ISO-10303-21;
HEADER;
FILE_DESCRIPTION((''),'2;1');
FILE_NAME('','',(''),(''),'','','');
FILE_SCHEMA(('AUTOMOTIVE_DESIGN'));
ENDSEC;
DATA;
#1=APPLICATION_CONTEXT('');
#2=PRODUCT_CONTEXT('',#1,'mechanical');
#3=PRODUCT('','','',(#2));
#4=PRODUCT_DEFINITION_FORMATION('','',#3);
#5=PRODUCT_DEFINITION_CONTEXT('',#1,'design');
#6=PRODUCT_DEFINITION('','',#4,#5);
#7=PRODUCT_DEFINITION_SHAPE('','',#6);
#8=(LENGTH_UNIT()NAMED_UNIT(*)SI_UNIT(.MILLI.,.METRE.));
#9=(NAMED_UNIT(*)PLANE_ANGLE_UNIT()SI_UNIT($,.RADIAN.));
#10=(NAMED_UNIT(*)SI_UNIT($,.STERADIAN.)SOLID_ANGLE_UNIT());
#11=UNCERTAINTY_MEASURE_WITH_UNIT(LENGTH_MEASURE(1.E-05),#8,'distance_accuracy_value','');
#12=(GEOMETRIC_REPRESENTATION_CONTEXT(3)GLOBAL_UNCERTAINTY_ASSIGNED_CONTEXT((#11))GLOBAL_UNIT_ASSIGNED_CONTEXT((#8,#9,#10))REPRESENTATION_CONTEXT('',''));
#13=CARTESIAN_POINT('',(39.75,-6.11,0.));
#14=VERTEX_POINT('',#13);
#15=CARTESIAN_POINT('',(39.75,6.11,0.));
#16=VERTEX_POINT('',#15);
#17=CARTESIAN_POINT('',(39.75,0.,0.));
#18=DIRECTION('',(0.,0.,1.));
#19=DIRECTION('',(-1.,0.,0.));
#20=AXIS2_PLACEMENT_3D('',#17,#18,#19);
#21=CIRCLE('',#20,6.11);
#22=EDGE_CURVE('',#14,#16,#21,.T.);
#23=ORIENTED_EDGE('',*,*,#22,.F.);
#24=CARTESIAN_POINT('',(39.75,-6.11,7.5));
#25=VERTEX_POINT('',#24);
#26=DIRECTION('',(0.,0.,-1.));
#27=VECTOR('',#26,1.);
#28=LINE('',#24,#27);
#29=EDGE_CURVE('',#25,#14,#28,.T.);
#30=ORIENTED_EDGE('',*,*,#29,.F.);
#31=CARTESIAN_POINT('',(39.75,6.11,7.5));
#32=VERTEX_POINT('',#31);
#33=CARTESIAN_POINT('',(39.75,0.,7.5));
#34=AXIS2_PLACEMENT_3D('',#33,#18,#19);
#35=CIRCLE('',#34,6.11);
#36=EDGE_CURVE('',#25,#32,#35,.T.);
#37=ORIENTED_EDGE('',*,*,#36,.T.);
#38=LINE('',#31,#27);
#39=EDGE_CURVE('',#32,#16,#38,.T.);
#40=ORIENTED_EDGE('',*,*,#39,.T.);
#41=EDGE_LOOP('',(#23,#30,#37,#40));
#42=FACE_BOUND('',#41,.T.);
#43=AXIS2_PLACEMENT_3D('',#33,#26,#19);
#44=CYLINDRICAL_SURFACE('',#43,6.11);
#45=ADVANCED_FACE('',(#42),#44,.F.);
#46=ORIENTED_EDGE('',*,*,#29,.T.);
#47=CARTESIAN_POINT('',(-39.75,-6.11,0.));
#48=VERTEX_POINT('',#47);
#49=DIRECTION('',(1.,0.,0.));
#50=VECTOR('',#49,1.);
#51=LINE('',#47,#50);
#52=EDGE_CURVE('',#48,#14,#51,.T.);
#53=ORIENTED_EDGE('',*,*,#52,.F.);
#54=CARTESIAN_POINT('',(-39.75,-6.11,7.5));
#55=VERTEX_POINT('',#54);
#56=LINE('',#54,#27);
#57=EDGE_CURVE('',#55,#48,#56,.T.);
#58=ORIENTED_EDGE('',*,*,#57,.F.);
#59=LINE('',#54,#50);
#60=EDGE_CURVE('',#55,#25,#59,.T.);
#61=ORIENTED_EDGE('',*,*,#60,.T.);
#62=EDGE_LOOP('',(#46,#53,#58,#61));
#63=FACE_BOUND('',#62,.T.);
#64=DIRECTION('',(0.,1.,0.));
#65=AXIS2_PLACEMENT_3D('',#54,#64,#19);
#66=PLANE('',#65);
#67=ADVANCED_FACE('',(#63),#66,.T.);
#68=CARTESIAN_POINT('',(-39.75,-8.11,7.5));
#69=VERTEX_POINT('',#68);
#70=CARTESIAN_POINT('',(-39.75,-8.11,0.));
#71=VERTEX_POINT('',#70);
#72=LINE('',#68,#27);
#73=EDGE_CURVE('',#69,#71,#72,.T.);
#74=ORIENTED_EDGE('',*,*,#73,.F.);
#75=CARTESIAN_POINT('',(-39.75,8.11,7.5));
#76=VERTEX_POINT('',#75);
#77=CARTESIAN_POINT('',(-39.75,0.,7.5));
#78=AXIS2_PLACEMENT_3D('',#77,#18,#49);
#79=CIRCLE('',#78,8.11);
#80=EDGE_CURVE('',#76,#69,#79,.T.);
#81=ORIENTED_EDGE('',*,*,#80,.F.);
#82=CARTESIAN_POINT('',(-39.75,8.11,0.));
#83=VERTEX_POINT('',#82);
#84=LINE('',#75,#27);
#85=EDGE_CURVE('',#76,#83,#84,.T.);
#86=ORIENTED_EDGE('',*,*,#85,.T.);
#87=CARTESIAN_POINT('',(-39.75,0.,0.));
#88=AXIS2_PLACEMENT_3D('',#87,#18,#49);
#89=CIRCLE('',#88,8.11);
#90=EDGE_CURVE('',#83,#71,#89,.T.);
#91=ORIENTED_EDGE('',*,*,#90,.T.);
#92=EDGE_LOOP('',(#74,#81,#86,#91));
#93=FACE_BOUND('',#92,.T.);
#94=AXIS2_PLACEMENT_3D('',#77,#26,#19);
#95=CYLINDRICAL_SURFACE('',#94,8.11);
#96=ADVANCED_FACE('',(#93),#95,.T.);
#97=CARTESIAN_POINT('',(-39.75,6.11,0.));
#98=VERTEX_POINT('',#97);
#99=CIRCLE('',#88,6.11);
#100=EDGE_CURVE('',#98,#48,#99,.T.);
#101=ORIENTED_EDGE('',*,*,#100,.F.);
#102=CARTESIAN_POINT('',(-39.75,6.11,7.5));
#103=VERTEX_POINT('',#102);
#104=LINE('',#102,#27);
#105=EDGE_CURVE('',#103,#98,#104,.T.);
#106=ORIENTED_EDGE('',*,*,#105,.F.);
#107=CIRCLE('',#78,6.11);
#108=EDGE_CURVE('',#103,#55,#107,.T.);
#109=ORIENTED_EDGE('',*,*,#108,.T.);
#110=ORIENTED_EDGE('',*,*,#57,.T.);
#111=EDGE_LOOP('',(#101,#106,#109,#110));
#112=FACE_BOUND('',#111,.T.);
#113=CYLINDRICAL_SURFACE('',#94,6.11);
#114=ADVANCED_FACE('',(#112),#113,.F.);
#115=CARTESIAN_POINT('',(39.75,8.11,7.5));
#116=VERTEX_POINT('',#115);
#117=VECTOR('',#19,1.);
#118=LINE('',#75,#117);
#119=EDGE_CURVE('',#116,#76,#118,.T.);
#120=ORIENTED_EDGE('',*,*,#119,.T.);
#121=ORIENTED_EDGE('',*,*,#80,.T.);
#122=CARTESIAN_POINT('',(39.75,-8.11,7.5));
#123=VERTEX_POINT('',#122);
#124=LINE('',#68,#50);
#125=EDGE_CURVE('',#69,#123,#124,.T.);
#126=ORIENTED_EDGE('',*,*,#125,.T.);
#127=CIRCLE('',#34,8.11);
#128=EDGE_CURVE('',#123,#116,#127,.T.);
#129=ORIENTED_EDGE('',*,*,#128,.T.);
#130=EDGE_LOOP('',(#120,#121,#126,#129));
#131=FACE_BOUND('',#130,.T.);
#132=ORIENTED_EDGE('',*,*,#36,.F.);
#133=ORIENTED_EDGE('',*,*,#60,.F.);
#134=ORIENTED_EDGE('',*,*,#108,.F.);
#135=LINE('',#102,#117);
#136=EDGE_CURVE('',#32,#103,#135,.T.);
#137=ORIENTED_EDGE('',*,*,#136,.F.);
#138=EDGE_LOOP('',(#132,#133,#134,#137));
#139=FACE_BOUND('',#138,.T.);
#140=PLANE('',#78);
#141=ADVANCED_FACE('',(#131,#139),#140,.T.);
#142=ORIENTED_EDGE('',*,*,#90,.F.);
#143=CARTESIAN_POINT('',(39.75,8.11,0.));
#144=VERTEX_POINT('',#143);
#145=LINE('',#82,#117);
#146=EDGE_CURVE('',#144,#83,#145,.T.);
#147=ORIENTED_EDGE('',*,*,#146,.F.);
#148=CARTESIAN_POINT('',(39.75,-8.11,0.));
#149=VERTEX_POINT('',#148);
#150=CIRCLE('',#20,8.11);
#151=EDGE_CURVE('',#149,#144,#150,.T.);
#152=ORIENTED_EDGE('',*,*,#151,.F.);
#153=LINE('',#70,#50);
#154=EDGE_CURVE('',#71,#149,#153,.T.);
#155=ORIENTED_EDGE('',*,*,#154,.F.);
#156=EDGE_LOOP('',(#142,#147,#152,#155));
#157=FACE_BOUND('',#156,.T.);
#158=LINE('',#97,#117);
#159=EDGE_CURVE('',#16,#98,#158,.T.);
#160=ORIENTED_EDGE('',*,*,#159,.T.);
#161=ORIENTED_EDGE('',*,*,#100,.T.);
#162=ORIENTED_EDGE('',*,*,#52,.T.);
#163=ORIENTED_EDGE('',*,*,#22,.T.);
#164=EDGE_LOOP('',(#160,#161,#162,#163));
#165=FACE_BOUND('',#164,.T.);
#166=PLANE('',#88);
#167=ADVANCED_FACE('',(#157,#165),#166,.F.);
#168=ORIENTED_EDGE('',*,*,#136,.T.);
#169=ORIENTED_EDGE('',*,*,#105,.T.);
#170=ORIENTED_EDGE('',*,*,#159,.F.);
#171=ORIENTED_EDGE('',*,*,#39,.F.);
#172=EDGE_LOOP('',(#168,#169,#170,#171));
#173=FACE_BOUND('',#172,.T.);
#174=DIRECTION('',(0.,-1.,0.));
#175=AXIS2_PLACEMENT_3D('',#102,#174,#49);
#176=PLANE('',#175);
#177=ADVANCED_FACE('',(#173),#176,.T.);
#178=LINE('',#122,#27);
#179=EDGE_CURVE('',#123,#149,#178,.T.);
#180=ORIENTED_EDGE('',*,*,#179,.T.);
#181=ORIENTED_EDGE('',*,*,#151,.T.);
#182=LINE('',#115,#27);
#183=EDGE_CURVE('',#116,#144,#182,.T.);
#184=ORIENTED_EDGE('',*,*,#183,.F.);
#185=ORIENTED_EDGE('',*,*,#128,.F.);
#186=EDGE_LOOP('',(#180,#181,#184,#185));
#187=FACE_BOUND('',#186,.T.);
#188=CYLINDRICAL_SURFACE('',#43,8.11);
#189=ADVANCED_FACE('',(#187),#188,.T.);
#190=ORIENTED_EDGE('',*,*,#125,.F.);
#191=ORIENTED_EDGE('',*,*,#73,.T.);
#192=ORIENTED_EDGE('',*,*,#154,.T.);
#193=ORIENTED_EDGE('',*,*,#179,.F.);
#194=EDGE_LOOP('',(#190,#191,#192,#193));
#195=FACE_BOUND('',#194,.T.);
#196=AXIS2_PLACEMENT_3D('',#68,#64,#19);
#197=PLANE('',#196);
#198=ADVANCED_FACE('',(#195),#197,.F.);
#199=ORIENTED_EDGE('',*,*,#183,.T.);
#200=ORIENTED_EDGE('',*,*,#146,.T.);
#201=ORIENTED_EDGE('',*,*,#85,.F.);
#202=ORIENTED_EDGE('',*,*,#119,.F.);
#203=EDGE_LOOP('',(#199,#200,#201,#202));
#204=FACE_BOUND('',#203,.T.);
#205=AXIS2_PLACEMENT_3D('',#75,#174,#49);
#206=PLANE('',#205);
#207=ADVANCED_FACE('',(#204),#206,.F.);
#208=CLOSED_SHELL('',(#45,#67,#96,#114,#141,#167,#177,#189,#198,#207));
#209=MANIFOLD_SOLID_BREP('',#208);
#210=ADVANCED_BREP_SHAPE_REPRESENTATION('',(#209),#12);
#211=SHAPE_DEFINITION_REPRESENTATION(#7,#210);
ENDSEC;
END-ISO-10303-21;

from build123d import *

# Parameters (mm, degrees)
BOSS_EXTRUDE1_DEPTH = 7.5


with BuildPart() as part:
    # Sketch1 → Boss-Extrude1 (new body)
    with BuildSketch(Plane.XY):
        with BuildLine():
            Line((-39.75, 8.11), (39.75, 8.11))
            ThreePointArc((39.75, 8.11), (47.86, 0), (39.75, -8.11))
            Line((39.75, -8.11), (-39.75, -8.11))
            ThreePointArc((-39.75, -8.11), (-47.86, 0), (-39.75, 8.11))
        make_face()
        with BuildLine():
            Line((-39.75, 6.11), (39.75, 6.11))
            ThreePointArc((39.75, 6.11), (45.86, 0), (39.75, -6.11))
            Line((39.75, -6.11), (-39.75, -6.11))
            ThreePointArc((-39.75, -6.11), (-45.86, 0), (-39.75, 6.11))
        make_face(mode=Mode.SUBTRACT)
    extrude(amount=BOSS_EXTRUDE1_DEPTH)


solid = part.part
